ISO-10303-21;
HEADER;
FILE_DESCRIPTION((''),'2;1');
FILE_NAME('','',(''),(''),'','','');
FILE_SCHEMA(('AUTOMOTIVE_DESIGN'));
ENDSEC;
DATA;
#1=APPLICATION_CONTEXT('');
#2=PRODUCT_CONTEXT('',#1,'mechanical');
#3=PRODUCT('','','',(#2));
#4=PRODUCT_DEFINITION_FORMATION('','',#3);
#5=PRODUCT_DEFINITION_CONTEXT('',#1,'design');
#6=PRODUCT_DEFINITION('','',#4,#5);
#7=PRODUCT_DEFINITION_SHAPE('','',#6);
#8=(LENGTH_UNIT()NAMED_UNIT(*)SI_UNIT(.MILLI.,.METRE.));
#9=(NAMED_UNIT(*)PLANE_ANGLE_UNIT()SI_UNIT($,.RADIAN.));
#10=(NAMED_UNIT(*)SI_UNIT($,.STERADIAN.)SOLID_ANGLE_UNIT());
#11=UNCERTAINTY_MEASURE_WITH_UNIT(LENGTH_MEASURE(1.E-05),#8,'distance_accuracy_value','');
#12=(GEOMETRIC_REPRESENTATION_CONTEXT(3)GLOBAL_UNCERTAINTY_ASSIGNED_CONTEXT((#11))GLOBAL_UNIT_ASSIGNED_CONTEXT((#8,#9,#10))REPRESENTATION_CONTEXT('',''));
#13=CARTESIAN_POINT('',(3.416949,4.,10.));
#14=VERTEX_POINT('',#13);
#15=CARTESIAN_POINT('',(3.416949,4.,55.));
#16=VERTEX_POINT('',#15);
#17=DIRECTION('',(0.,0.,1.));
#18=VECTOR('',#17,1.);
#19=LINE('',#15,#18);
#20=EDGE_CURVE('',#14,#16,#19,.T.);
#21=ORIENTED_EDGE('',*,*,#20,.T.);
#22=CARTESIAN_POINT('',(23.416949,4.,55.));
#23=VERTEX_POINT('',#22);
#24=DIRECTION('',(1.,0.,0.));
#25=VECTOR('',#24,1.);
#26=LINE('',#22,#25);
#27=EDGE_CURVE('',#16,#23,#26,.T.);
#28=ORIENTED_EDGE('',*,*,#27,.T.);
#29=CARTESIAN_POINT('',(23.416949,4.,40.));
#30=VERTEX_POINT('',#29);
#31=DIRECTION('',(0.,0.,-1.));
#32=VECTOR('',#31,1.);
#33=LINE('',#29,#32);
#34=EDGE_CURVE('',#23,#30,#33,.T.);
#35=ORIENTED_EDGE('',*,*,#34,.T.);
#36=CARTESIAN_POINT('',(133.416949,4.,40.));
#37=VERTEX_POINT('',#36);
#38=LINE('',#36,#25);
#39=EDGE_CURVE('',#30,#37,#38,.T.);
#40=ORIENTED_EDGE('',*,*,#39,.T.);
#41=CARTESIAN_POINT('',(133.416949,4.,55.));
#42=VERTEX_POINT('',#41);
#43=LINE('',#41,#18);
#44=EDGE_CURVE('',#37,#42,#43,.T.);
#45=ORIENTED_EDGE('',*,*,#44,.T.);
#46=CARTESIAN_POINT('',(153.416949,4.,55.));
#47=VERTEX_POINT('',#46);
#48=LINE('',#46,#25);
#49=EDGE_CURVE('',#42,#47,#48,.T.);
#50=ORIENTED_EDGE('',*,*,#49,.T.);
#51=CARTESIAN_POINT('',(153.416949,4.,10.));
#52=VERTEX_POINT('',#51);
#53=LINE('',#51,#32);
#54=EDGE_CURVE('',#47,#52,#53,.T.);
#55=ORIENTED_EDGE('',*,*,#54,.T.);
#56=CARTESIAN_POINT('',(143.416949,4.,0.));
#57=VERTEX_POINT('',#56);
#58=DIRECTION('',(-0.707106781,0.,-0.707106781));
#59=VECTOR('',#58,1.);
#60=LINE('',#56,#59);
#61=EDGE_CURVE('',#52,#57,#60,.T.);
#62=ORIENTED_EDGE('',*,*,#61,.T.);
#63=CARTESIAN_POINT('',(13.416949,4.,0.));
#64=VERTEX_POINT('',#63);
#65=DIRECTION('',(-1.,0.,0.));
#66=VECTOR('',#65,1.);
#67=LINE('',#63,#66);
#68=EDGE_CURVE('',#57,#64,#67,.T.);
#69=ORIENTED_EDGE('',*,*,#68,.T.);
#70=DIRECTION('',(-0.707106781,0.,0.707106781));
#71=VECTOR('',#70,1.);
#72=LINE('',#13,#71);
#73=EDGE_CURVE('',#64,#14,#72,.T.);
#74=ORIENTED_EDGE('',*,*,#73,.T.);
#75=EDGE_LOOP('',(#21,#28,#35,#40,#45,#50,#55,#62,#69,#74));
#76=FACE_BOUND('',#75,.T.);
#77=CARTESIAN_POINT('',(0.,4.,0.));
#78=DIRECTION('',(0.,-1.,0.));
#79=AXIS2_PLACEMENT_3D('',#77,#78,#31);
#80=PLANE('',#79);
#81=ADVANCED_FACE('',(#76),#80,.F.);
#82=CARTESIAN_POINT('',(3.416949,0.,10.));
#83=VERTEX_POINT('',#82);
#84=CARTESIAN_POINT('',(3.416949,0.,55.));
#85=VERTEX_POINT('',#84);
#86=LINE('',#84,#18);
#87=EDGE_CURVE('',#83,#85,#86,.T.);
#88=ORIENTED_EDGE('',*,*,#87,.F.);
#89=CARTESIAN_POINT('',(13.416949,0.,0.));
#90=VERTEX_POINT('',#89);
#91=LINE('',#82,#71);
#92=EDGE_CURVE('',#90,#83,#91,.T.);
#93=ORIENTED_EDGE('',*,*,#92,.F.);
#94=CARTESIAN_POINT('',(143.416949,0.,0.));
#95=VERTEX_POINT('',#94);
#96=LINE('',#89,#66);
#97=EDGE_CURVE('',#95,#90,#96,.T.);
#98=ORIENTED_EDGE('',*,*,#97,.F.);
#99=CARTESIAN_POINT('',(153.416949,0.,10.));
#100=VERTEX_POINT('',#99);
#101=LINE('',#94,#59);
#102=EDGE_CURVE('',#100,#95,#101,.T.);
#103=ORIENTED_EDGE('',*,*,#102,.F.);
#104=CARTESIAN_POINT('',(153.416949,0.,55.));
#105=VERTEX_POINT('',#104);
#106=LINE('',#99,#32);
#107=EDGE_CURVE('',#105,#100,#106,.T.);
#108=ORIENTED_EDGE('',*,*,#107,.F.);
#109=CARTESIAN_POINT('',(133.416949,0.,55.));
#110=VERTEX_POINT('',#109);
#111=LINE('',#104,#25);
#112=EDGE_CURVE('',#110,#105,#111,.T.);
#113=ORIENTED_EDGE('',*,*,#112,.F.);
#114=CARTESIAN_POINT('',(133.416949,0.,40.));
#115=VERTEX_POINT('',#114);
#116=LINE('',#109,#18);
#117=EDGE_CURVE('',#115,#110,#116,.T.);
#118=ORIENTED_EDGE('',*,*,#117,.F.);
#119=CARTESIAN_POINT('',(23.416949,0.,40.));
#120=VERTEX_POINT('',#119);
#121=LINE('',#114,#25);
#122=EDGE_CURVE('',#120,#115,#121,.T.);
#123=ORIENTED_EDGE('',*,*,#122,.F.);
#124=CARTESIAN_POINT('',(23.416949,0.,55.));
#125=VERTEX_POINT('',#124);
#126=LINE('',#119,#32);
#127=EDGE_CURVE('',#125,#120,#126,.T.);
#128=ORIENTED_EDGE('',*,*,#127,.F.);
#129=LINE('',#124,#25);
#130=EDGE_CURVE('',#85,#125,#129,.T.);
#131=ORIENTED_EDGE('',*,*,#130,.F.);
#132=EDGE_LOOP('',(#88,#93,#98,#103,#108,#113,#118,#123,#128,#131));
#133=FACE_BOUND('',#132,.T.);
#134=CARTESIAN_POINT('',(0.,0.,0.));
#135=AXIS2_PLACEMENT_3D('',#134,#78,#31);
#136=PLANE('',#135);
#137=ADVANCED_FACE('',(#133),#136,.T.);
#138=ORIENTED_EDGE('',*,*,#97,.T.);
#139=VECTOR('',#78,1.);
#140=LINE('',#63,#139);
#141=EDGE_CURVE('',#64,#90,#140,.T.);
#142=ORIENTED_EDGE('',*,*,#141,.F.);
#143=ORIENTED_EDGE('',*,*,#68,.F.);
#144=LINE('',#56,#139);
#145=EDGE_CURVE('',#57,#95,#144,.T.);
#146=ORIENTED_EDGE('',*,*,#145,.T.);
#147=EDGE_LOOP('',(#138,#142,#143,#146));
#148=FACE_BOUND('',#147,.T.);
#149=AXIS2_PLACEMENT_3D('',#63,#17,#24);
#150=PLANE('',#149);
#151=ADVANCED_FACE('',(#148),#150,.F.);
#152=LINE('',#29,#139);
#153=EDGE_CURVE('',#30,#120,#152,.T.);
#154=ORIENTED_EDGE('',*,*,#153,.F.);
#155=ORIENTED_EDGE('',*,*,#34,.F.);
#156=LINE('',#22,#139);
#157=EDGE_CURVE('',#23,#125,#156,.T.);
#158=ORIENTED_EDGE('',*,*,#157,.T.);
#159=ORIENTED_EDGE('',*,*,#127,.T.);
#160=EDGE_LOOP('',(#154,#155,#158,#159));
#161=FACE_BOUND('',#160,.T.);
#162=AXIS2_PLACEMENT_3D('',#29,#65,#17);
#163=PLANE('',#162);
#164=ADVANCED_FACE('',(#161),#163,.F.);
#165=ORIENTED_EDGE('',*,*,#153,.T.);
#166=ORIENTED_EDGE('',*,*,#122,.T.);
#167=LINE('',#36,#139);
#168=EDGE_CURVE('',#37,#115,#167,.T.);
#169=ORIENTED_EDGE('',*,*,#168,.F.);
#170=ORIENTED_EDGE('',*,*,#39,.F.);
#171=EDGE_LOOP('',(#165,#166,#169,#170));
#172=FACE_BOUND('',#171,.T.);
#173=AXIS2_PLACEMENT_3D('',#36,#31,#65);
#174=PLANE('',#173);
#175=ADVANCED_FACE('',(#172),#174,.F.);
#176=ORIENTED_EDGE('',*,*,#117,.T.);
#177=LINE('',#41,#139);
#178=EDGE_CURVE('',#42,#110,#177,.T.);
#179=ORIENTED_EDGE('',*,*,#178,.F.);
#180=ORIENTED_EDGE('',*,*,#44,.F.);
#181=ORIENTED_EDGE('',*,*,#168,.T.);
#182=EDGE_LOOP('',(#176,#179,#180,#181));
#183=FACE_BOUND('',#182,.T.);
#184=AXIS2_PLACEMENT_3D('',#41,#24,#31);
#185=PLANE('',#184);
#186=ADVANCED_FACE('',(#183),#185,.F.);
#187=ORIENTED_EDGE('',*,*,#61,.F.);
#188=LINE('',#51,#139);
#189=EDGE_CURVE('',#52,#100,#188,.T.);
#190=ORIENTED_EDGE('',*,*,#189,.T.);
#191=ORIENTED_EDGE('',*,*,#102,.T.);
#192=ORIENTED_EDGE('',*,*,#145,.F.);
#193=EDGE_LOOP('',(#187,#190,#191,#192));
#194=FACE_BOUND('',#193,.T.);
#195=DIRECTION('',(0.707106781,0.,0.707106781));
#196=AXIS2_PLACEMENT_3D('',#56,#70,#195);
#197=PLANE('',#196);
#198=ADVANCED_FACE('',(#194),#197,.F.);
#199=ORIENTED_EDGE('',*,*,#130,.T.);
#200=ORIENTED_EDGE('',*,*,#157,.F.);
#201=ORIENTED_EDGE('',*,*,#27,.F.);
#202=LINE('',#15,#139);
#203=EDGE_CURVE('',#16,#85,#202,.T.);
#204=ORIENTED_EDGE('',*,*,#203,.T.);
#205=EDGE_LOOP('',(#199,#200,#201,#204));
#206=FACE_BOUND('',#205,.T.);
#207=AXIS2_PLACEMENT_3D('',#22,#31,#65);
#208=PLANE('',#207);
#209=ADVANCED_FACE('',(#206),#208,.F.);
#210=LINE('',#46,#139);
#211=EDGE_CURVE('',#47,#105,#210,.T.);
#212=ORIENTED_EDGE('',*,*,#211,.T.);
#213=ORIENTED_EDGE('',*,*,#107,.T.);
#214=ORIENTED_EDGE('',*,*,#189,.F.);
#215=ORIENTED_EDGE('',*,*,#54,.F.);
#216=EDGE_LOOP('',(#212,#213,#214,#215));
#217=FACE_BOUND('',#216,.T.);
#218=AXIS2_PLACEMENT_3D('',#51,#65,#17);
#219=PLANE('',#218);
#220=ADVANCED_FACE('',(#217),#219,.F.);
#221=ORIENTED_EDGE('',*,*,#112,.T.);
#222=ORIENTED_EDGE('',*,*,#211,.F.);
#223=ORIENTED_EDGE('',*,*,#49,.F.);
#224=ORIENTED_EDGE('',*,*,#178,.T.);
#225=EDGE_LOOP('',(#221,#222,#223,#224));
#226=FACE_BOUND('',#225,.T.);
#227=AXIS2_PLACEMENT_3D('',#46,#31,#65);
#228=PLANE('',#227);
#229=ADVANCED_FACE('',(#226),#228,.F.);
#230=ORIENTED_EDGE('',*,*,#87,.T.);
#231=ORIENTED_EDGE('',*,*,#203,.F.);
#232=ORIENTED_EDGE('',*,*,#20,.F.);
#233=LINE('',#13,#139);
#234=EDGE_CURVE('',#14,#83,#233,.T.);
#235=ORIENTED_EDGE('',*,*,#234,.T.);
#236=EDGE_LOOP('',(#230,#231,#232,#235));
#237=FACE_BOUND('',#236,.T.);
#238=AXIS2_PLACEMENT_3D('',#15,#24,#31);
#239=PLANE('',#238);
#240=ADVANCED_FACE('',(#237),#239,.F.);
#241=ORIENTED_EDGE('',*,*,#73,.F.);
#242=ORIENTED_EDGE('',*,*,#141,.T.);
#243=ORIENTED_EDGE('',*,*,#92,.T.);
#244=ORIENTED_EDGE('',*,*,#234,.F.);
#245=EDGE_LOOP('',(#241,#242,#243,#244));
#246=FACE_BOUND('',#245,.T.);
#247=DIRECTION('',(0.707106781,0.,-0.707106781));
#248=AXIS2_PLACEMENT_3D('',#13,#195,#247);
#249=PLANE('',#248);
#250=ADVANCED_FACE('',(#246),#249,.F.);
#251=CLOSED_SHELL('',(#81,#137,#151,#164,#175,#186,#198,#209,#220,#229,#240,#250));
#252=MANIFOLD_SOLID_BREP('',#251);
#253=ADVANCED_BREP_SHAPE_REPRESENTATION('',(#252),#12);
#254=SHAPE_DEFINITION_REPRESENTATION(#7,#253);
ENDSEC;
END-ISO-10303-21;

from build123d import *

# Parameters (mm, degrees)
BODY_DEPTH = 4


with BuildPart() as part:
    # Sketch1 → body (new body)
    with BuildSketch(Plane(origin=(0, 0, 0), x_dir=(1, 0, 0), z_dir=(0, 1, 0))):
        Polygon((3.416948794, -10), (13.416948794, 0), (143.416948794, 0), (153.416948794, -10), (153.416948794, -55), (133.416948794, -55), (133.416948794, -40), (23.416948794, -40), (23.416948794, -55), (3.416948794, -55), align=None)
    extrude(amount=BODY_DEPTH)


solid = part.part
